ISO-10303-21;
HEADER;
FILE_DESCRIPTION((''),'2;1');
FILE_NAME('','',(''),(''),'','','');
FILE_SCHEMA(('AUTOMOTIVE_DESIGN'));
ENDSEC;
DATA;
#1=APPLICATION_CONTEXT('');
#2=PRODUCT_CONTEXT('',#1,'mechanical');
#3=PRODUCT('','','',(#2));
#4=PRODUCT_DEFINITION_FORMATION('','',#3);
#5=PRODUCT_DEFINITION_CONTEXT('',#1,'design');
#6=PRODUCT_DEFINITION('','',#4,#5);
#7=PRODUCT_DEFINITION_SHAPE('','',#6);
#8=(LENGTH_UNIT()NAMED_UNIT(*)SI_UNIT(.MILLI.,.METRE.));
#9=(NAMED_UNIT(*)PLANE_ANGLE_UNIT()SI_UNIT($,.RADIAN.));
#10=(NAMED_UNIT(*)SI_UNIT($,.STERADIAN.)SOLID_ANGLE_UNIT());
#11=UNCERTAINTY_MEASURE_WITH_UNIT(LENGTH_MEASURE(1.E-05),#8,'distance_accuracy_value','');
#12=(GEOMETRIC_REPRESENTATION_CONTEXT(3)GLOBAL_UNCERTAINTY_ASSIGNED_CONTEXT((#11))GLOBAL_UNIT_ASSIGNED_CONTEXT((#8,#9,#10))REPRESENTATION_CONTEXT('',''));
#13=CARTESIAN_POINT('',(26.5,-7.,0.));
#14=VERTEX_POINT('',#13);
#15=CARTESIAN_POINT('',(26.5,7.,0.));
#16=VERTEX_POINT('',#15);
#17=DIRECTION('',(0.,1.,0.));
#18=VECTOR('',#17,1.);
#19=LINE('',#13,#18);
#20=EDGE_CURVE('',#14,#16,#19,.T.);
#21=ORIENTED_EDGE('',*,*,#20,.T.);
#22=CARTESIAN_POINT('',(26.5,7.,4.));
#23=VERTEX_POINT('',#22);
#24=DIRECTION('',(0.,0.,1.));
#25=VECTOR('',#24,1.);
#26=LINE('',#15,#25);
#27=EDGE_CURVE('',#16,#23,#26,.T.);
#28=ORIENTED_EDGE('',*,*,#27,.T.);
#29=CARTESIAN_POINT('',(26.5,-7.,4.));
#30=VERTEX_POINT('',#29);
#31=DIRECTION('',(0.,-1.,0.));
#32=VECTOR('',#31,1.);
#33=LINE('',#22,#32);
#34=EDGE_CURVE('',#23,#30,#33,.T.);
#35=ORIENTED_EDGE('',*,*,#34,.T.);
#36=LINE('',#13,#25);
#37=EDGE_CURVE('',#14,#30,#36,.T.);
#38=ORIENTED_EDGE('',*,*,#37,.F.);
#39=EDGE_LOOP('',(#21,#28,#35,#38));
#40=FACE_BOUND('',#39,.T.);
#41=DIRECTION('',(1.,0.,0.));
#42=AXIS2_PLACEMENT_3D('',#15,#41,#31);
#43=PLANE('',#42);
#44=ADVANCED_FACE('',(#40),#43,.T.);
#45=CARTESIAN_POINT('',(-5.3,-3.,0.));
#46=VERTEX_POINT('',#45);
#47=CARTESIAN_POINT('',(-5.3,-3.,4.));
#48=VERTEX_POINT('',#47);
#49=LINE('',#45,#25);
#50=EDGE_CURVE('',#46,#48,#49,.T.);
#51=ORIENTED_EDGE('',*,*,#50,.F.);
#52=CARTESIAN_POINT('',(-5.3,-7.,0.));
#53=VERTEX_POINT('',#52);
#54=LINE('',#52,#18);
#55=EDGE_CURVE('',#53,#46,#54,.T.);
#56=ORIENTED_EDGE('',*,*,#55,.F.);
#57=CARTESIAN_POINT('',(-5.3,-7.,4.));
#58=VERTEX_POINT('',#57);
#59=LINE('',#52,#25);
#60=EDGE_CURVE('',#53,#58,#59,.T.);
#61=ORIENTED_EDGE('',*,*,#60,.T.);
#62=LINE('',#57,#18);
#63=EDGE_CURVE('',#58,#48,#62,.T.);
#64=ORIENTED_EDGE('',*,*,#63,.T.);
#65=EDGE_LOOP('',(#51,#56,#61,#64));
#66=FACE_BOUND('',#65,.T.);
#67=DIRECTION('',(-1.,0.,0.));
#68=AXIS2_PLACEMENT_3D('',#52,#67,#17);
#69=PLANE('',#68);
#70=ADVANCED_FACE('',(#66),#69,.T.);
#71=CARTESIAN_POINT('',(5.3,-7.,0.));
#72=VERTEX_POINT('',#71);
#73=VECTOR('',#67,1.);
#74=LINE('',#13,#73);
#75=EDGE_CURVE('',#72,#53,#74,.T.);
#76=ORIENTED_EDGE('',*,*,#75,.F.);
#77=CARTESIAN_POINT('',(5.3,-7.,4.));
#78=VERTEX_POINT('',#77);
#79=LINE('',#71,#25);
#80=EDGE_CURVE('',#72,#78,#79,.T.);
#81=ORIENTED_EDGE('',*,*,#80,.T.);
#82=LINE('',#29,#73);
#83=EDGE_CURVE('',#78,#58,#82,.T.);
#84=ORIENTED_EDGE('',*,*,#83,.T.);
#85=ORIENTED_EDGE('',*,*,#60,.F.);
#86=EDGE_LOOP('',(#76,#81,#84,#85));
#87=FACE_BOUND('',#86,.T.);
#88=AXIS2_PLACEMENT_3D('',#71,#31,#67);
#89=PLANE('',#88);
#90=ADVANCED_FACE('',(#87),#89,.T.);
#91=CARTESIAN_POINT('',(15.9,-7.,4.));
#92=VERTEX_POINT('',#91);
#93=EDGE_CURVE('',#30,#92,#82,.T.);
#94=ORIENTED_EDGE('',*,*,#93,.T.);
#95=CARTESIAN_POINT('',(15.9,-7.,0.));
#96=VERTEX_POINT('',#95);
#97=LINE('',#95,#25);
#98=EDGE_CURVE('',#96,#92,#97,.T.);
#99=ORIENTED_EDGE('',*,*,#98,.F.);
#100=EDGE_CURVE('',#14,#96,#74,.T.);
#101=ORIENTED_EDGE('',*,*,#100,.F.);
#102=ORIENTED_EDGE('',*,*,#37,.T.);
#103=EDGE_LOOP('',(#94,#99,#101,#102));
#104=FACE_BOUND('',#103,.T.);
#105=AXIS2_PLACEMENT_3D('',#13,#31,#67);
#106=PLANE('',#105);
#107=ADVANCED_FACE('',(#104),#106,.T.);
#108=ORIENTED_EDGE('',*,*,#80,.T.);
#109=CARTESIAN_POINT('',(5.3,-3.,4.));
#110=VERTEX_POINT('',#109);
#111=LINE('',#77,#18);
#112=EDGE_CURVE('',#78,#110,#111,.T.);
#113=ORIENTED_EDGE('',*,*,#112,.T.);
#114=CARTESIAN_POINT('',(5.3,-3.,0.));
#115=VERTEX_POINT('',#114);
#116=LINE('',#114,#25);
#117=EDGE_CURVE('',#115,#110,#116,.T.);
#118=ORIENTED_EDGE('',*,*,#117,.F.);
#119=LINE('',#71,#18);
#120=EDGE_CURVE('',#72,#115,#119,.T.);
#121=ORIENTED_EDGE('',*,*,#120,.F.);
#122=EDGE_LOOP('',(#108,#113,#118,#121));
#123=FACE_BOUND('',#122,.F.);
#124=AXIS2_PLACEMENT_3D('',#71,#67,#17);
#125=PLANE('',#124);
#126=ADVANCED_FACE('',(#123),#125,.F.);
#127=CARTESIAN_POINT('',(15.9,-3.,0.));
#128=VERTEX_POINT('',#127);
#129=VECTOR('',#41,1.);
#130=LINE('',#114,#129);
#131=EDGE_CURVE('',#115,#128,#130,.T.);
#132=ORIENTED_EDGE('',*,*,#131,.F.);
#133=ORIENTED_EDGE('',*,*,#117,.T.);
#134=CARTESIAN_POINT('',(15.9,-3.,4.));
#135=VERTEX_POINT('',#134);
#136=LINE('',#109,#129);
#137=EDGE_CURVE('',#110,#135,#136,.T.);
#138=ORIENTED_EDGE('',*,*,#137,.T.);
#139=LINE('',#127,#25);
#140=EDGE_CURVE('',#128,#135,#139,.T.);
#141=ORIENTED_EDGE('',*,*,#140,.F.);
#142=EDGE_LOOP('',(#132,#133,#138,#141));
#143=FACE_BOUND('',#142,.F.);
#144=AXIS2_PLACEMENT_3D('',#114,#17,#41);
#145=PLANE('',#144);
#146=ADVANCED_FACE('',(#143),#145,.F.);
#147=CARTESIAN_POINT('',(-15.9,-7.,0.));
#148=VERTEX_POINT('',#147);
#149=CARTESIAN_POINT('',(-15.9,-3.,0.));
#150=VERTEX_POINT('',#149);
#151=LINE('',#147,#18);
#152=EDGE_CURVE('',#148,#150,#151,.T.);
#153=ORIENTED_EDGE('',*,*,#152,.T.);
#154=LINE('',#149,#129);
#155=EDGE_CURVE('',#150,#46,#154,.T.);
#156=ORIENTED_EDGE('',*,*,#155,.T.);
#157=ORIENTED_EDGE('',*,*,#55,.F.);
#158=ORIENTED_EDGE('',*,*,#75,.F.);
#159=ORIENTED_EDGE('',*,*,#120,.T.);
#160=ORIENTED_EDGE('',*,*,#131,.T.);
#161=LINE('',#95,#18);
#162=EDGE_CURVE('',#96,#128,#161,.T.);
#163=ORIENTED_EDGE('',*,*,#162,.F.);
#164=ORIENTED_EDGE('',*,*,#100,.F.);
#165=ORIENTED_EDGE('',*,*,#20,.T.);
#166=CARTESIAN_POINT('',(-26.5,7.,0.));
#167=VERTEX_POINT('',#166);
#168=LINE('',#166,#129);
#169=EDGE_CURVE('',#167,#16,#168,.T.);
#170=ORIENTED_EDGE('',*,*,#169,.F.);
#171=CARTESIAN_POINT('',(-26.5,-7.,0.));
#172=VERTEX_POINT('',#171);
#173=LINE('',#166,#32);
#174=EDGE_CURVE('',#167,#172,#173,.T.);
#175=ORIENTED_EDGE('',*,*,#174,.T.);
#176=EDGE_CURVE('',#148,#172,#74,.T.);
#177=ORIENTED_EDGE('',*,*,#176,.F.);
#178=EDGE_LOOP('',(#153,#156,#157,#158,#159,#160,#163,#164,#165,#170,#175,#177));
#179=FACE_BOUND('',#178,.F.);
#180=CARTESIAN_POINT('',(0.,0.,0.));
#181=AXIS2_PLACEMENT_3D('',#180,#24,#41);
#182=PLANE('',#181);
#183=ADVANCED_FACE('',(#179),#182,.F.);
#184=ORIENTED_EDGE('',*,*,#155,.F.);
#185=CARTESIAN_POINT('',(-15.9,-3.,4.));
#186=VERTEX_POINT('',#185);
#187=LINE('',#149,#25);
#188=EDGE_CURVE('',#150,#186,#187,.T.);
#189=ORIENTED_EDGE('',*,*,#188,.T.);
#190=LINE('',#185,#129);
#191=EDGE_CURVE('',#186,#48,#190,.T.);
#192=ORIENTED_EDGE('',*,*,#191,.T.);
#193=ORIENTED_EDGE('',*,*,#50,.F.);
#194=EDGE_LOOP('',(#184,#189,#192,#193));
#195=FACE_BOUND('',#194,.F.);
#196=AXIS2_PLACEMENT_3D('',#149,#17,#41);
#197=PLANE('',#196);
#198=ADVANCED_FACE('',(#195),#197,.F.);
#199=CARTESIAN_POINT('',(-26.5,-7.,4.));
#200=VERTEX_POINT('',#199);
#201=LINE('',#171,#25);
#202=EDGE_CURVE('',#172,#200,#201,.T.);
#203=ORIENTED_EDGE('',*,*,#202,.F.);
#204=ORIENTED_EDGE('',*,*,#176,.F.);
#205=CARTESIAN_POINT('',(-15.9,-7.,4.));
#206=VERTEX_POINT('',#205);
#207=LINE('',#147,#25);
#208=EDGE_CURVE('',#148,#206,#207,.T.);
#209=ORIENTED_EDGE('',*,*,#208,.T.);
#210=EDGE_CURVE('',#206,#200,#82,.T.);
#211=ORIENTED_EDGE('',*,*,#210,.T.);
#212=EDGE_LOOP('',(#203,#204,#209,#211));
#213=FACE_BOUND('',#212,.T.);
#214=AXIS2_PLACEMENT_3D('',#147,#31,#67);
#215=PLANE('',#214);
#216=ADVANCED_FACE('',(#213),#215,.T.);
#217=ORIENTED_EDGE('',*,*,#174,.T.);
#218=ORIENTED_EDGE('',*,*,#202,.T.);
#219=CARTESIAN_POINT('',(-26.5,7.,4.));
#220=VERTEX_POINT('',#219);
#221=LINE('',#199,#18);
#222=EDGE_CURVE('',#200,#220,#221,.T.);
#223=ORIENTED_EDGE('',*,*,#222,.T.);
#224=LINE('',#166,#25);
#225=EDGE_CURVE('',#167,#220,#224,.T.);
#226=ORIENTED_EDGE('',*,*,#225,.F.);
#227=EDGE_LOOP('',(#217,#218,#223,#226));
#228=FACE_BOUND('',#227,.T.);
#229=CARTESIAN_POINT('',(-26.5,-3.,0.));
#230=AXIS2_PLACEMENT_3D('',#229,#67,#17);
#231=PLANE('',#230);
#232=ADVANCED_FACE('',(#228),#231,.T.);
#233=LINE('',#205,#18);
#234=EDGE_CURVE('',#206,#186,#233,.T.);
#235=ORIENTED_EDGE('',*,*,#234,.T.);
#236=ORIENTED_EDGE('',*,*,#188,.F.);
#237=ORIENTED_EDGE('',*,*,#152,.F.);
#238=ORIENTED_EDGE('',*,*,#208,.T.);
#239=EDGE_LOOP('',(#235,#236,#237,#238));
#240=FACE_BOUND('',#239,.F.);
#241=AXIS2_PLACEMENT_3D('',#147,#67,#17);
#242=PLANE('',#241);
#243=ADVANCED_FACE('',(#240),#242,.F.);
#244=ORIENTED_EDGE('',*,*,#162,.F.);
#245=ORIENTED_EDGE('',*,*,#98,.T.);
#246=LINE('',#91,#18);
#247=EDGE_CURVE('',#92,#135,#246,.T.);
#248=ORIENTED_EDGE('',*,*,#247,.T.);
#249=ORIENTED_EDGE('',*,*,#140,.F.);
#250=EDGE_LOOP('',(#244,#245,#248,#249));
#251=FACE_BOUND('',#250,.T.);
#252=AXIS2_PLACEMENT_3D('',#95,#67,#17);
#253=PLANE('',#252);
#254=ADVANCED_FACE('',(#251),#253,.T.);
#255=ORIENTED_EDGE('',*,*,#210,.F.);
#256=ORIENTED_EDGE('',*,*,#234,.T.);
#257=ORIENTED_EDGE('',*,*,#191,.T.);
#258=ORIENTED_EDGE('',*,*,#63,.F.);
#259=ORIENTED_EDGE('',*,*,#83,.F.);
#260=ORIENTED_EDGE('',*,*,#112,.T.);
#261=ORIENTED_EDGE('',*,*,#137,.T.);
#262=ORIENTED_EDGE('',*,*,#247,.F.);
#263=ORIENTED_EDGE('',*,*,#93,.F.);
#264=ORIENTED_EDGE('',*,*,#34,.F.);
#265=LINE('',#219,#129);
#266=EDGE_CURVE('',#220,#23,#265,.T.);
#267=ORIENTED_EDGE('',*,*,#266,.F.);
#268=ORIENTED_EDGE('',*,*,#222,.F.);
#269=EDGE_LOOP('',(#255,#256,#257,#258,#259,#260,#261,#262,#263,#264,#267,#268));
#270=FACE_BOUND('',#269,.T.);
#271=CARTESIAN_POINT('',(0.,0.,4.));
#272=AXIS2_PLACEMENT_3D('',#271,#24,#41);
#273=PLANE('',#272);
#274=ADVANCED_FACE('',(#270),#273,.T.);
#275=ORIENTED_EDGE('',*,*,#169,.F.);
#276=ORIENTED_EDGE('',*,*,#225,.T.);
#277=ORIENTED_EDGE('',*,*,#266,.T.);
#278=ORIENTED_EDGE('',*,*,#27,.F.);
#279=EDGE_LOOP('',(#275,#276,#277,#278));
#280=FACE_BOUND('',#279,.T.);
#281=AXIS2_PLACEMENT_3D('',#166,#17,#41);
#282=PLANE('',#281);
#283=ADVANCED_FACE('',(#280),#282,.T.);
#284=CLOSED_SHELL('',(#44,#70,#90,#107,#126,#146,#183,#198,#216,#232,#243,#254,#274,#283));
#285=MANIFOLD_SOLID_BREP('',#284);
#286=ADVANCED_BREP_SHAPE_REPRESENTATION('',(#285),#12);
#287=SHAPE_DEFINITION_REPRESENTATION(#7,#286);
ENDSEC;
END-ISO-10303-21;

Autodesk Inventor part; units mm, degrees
ref_plane "YZ Plane" through (0, 0, 0) normal (1, 0, 0) x (0, 1, 0)
ref_plane "XZ Plane" through (0, 0, 0) normal (0, 1, 0) x (-1, 0, 0)
ref_plane "XY Plane" through (0, 0, 0) normal (0, 0, 1) x (1, 0, 0)
sketch "Sketch1" plane through (0, 0, 0) normal (0, 0, 1) x (1, 0, 0)
  line L0 (-26.5, 7) -> (26.5, 7)
  line L1 (26.5, 7) -> (26.5, -7)
  line L2 (26.5, -7) -> (-26.5, -7)
  line L3 (-26.5, -7) -> (-26.5, 7)
  line L4 (-26.5, 7) -> (26.5, -7) construction
  line L5 (26.5, 7) -> (-26.5, -7) construction
  line L6 (26.5, -7) -> (15.9, -7)
  line L7 (15.9, -7) -> (15.9, -3)
  line L8 (15.9, -3) -> (26.5, -3)
  line L9 (26.5, -3) -> (26.5, -7)
  line L10 (5.3, -7) -> (5.3, -3)
  line L11 (5.3, -3) -> (15.9, -3)
  line L12 (-5.3, -7) -> (-5.3, -3)
  line L13 (-5.3, -3) -> (5.3, -3)
  line L14 (-15.9, -7) -> (-15.9, -3)
  line L15 (-15.9, -3) -> (-5.3, -3)
  line L16 (-26.5, -7) -> (-26.5, -3)
  line L17 (-26.5, -3) -> (-15.9, -3)
  point P0 (0, 0)
  dimension "d0" = 53
  dimension "d1" = 14
  dimension "d2" = 10.6
  dimension "d3" = 4
  dimension "d6" = 10.6
extrude "Extrusion1" add sketch "Sketch1" along normal blind 4 contours L0 L1 L8 L11 L13 L15 L17 L3 | L17 L14 L2 L3 | L1 L2 L7 L8 | L13 L10 L2 L12
sketch "Sketch2" plane through (0, 0, 4) normal (0, 0, 1) x (1, 0, 0)
  line L0 (-26.5, 7) -> (-26.5, -7) projected
  line L1 (-26.5, -7) -> (-15.9, -7) projected
  line L2 (-15.9, -7) -> (-15.9, -3) projected
  line L3 (-15.9, -3) -> (-5.3, -3) projected
  line L4 (-5.3, -3) -> (-5.3, -7) projected
  line L5 (-5.3, -7) -> (5.3, -7) projected
  line L6 (5.3, -7) -> (5.3, -3) projected
  line L7 (5.3, -3) -> (15.9, -3) projected
  line L8 (15.9, -3) -> (15.9, -7) projected
  line L9 (15.9, -7) -> (26.5, -7) projected
  line L10 (26.5, -7) -> (26.5, 7) projected
  line L11 (26.5, 7) -> (-26.5, 7) projected
  point P0 (0, 0)
equation "\"d1\" = height + e"
equation "\"d2\" = 0.2 * d0"
equation "\"d3\" = e"
equation "\"d6\" = d2"
equation "\"d11\" = e"
equation "\"e\" = 4"
equation "\"height\" = 10"
properties part number "wall1" material "MDF Medium Density Fiberboard"
